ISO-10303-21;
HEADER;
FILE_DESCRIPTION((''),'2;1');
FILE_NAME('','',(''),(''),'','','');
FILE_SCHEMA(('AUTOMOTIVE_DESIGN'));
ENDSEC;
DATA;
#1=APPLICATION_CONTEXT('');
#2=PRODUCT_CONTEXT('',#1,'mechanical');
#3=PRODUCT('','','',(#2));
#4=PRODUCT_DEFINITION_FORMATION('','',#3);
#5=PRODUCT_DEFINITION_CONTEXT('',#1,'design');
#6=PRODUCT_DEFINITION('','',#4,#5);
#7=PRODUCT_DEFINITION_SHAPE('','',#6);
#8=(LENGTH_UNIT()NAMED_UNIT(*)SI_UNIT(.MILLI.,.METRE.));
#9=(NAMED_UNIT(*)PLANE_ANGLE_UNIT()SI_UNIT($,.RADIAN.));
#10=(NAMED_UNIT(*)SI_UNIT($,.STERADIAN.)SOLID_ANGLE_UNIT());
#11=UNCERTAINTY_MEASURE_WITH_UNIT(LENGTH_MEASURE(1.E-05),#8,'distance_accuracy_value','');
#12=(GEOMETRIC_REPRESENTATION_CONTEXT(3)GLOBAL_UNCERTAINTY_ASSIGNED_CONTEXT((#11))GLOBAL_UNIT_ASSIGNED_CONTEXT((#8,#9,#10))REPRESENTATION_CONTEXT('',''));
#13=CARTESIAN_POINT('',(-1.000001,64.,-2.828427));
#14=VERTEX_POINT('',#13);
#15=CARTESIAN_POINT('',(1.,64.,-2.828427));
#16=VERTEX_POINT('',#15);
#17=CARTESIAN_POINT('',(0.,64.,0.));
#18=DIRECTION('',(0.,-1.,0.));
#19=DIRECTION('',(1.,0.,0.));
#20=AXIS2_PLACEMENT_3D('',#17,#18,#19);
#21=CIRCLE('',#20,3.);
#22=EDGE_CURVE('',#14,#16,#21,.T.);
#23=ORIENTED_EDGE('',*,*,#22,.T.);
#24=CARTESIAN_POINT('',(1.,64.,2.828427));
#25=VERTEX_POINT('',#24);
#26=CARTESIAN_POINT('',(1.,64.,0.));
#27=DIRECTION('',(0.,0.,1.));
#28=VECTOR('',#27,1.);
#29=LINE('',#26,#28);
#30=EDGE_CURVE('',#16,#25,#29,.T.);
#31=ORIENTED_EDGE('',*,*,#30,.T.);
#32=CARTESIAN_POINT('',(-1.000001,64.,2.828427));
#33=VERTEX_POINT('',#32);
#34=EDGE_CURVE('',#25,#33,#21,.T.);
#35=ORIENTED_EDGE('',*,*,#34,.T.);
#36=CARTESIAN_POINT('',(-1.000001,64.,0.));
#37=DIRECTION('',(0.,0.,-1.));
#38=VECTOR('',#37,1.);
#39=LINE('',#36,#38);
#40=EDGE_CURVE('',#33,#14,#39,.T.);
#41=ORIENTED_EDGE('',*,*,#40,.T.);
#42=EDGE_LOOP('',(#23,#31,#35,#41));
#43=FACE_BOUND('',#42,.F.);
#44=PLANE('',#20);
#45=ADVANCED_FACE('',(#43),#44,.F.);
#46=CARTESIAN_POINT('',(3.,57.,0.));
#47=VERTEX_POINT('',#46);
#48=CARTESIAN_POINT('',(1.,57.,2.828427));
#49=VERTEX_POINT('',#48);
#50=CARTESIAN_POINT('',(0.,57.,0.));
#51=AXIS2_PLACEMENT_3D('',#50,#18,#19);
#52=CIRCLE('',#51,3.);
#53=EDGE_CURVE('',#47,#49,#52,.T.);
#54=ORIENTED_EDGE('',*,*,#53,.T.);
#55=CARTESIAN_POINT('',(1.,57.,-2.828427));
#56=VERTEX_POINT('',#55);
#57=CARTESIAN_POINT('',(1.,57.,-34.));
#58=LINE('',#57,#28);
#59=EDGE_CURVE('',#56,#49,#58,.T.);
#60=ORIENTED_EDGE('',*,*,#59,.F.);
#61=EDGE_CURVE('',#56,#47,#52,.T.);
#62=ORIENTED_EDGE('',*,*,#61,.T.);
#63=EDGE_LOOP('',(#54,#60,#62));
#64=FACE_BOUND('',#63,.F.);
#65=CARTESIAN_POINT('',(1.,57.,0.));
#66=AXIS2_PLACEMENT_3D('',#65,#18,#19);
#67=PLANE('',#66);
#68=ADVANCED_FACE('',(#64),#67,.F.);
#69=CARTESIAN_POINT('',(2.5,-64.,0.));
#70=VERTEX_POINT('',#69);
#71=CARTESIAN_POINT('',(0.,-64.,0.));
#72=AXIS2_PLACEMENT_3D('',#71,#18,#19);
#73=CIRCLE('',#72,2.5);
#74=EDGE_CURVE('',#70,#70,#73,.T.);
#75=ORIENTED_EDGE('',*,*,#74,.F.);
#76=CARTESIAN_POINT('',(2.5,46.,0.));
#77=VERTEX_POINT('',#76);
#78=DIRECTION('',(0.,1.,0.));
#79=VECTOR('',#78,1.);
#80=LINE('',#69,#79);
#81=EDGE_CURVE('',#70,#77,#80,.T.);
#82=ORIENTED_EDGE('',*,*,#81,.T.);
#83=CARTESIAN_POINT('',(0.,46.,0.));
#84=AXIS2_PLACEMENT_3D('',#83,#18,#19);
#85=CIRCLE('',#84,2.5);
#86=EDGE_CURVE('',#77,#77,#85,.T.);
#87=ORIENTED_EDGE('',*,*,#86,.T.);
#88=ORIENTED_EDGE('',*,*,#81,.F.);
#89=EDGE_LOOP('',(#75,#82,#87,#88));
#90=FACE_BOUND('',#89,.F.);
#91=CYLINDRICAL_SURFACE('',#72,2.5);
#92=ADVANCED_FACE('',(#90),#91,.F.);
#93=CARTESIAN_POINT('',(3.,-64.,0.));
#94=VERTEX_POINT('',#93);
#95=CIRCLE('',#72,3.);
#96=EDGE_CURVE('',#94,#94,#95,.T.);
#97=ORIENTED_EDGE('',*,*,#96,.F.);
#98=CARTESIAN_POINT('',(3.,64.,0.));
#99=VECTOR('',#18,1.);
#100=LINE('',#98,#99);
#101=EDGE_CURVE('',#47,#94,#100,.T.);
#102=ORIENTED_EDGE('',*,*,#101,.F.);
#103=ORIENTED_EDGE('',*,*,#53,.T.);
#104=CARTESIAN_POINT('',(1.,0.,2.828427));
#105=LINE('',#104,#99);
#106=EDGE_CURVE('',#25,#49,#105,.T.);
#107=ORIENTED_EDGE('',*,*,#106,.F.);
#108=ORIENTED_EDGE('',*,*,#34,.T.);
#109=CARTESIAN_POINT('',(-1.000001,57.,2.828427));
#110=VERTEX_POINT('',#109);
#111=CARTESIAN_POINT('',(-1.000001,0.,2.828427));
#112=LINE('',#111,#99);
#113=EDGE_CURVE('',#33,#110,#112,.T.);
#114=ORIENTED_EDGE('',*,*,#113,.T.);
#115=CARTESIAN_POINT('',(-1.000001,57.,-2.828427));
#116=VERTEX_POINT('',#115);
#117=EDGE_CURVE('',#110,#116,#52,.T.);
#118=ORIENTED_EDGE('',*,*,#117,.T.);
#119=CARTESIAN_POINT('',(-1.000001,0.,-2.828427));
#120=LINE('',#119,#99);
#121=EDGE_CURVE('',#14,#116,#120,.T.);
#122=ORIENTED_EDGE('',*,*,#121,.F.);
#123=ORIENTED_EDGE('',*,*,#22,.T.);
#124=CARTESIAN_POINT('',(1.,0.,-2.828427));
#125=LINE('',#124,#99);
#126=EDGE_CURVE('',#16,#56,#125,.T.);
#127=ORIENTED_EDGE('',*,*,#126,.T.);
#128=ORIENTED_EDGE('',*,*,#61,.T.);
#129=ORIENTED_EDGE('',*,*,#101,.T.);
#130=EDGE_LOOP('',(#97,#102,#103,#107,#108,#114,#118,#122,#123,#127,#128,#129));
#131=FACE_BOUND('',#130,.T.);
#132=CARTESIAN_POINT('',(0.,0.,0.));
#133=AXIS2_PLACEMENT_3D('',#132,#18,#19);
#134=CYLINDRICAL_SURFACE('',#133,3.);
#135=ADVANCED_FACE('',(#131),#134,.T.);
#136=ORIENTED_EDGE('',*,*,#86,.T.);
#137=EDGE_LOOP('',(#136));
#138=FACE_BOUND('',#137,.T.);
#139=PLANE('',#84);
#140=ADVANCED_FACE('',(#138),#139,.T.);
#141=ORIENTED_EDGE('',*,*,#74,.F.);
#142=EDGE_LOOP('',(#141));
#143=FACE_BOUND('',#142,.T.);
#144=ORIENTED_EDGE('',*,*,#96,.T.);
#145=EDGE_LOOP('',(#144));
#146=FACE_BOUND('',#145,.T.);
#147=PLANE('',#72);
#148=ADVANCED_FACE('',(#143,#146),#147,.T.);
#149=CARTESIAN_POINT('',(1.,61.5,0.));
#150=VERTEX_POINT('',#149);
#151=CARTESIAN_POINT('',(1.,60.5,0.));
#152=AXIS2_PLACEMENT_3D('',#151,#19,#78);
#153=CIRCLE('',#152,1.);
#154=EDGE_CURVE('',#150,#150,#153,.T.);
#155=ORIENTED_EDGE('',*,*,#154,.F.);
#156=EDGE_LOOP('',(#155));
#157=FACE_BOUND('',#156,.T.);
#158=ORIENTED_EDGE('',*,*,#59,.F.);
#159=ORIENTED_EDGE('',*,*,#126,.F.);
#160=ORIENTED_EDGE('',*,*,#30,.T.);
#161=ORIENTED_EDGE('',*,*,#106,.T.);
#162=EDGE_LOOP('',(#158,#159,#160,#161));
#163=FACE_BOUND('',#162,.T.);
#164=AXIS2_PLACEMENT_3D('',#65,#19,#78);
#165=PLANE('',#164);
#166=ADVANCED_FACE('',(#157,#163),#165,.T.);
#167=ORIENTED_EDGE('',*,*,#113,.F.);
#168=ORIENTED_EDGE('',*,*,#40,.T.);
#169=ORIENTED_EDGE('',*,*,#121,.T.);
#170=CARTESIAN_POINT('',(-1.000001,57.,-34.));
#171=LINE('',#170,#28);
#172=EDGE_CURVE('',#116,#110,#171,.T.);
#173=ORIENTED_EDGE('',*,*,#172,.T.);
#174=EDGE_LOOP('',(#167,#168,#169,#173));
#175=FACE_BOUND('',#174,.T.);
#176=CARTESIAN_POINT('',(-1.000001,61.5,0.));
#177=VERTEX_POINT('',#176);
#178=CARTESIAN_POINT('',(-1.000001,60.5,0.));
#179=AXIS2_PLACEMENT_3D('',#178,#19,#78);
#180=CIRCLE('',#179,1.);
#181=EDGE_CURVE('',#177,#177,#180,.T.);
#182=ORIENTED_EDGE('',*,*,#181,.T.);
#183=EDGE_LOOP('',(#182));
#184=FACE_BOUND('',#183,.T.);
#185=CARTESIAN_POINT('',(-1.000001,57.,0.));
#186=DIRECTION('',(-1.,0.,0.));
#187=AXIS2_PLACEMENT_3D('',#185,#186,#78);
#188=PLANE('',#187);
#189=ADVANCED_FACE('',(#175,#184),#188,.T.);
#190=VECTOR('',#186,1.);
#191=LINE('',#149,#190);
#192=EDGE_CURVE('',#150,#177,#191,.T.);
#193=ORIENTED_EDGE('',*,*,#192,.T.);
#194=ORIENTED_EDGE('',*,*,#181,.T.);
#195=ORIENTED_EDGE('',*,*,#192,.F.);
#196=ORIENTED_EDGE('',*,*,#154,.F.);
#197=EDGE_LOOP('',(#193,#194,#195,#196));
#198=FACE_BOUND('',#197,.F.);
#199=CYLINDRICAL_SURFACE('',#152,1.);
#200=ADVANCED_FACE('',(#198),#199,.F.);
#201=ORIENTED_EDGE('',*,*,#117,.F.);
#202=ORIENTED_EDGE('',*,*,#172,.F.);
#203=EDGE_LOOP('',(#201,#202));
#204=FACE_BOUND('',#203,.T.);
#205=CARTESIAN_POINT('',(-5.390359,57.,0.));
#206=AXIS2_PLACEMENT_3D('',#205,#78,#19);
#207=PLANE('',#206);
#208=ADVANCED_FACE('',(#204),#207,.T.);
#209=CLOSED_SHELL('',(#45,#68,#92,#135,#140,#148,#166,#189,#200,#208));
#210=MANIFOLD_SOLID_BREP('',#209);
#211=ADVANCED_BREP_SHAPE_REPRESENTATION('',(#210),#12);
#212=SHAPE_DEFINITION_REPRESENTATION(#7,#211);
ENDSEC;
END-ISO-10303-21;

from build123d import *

# Parameters (mm, degrees)
F0_R     = 3
F1_DEPTH = 64
F2_W     = 4.390359
F2_H     = 10
F2_W_2   = 4.700764
F3_DEPTH = 34
F4_R     = 1
F5_DEPTH = 25.4
F6_R     = 2.5
F7_DEPTH = 110


with BuildPart() as f1:
    # F0 (on Front) → F1 (new body, symmetric)
    with BuildSketch(Plane.XZ):
        Circle(F0_R)
    extrude(amount=F1_DEPTH, both=True)

    # F2 (on Top) → F3 (cut, symmetric)
    with BuildSketch(Plane.XY):
        with Locations((-3.19518, 62)):
            Rectangle(F2_W, F2_H)
        with Locations((3.350382, 62)):
            Rectangle(F2_W_2, F2_H)
    extrude(amount=F3_DEPTH, both=True, mode=Mode.SUBTRACT)

    # F4 (on face) → F5 (cut)
    with BuildSketch(Plane.YZ.offset(1)):
        with Locations((60.5, 0)):
            Circle(F4_R)
    extrude(amount=-F5_DEPTH, mode=Mode.SUBTRACT)

    # F6 (on face) → F7 (cut)
    with BuildSketch(Plane.XZ.offset(64)):
        Circle(F6_R)
    extrude(amount=-F7_DEPTH, mode=Mode.SUBTRACT)


solid = f1.part
